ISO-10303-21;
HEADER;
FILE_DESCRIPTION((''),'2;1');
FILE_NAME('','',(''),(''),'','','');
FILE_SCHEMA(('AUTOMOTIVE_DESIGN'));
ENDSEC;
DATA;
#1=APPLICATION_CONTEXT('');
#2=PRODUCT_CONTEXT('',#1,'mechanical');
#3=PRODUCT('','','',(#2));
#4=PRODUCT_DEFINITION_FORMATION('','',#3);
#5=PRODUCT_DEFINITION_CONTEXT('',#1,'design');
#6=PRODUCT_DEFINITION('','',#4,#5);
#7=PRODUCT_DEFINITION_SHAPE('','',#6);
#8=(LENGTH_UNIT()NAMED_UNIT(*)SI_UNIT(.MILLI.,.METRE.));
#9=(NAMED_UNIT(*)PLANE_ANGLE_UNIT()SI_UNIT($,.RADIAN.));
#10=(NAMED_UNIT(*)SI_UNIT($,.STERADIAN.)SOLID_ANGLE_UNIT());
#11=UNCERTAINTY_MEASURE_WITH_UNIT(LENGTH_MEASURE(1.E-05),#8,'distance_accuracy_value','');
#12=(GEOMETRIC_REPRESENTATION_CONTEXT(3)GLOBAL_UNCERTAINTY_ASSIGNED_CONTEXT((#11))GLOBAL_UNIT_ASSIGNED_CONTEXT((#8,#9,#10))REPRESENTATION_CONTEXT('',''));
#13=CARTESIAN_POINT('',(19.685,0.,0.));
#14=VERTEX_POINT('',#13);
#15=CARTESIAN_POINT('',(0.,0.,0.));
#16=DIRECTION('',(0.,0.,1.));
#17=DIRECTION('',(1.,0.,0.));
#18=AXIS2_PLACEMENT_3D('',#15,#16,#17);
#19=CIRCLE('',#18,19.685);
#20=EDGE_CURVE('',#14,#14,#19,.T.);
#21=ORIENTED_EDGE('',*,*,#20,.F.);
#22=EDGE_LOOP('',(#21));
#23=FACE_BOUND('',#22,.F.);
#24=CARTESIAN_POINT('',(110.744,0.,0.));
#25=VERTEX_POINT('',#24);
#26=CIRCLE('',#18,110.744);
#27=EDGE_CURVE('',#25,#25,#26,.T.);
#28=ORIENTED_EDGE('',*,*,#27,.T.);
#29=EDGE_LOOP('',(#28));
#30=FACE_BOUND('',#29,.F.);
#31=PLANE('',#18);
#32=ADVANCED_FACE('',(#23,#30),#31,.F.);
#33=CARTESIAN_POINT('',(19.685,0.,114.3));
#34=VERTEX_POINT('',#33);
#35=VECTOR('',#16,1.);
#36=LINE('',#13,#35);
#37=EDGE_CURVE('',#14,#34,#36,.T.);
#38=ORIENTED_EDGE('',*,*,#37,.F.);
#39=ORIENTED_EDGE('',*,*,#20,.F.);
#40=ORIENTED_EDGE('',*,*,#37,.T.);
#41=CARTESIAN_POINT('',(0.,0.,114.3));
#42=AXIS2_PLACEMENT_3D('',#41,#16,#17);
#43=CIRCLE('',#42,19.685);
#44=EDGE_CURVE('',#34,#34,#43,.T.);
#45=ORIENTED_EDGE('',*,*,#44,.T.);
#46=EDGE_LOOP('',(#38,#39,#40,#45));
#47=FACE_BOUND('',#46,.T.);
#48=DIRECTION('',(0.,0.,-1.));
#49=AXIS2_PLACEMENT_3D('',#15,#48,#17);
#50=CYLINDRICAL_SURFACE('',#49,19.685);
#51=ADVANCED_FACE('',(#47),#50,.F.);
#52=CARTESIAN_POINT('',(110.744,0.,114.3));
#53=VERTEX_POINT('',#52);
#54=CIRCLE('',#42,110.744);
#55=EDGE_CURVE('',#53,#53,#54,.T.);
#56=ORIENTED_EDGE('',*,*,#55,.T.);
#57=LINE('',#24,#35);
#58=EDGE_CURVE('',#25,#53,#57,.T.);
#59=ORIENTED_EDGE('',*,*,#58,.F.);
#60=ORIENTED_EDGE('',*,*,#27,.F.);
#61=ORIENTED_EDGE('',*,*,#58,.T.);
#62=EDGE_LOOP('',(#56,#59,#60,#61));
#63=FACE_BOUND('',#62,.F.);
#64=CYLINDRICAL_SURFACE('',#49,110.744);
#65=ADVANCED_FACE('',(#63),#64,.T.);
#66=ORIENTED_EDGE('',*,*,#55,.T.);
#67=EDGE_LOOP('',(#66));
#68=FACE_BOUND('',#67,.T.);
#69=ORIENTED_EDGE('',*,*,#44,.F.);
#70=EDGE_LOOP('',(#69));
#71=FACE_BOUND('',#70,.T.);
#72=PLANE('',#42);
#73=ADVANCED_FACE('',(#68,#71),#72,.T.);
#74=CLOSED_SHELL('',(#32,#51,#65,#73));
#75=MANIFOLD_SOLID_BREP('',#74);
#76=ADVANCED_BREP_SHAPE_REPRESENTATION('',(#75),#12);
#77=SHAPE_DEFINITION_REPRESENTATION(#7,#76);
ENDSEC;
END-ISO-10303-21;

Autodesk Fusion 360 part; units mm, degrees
sketch "Sketch1" plane through (0, 0, 0) normal (0, 0, 1) x (1, 0, 0)
  circle A0 centre (0, 0) radius 110.744
  circle A1 centre (0, 0) radius 19.685
extrude "Extrude1" add sketch "Sketch1" along normal blind 114.3
